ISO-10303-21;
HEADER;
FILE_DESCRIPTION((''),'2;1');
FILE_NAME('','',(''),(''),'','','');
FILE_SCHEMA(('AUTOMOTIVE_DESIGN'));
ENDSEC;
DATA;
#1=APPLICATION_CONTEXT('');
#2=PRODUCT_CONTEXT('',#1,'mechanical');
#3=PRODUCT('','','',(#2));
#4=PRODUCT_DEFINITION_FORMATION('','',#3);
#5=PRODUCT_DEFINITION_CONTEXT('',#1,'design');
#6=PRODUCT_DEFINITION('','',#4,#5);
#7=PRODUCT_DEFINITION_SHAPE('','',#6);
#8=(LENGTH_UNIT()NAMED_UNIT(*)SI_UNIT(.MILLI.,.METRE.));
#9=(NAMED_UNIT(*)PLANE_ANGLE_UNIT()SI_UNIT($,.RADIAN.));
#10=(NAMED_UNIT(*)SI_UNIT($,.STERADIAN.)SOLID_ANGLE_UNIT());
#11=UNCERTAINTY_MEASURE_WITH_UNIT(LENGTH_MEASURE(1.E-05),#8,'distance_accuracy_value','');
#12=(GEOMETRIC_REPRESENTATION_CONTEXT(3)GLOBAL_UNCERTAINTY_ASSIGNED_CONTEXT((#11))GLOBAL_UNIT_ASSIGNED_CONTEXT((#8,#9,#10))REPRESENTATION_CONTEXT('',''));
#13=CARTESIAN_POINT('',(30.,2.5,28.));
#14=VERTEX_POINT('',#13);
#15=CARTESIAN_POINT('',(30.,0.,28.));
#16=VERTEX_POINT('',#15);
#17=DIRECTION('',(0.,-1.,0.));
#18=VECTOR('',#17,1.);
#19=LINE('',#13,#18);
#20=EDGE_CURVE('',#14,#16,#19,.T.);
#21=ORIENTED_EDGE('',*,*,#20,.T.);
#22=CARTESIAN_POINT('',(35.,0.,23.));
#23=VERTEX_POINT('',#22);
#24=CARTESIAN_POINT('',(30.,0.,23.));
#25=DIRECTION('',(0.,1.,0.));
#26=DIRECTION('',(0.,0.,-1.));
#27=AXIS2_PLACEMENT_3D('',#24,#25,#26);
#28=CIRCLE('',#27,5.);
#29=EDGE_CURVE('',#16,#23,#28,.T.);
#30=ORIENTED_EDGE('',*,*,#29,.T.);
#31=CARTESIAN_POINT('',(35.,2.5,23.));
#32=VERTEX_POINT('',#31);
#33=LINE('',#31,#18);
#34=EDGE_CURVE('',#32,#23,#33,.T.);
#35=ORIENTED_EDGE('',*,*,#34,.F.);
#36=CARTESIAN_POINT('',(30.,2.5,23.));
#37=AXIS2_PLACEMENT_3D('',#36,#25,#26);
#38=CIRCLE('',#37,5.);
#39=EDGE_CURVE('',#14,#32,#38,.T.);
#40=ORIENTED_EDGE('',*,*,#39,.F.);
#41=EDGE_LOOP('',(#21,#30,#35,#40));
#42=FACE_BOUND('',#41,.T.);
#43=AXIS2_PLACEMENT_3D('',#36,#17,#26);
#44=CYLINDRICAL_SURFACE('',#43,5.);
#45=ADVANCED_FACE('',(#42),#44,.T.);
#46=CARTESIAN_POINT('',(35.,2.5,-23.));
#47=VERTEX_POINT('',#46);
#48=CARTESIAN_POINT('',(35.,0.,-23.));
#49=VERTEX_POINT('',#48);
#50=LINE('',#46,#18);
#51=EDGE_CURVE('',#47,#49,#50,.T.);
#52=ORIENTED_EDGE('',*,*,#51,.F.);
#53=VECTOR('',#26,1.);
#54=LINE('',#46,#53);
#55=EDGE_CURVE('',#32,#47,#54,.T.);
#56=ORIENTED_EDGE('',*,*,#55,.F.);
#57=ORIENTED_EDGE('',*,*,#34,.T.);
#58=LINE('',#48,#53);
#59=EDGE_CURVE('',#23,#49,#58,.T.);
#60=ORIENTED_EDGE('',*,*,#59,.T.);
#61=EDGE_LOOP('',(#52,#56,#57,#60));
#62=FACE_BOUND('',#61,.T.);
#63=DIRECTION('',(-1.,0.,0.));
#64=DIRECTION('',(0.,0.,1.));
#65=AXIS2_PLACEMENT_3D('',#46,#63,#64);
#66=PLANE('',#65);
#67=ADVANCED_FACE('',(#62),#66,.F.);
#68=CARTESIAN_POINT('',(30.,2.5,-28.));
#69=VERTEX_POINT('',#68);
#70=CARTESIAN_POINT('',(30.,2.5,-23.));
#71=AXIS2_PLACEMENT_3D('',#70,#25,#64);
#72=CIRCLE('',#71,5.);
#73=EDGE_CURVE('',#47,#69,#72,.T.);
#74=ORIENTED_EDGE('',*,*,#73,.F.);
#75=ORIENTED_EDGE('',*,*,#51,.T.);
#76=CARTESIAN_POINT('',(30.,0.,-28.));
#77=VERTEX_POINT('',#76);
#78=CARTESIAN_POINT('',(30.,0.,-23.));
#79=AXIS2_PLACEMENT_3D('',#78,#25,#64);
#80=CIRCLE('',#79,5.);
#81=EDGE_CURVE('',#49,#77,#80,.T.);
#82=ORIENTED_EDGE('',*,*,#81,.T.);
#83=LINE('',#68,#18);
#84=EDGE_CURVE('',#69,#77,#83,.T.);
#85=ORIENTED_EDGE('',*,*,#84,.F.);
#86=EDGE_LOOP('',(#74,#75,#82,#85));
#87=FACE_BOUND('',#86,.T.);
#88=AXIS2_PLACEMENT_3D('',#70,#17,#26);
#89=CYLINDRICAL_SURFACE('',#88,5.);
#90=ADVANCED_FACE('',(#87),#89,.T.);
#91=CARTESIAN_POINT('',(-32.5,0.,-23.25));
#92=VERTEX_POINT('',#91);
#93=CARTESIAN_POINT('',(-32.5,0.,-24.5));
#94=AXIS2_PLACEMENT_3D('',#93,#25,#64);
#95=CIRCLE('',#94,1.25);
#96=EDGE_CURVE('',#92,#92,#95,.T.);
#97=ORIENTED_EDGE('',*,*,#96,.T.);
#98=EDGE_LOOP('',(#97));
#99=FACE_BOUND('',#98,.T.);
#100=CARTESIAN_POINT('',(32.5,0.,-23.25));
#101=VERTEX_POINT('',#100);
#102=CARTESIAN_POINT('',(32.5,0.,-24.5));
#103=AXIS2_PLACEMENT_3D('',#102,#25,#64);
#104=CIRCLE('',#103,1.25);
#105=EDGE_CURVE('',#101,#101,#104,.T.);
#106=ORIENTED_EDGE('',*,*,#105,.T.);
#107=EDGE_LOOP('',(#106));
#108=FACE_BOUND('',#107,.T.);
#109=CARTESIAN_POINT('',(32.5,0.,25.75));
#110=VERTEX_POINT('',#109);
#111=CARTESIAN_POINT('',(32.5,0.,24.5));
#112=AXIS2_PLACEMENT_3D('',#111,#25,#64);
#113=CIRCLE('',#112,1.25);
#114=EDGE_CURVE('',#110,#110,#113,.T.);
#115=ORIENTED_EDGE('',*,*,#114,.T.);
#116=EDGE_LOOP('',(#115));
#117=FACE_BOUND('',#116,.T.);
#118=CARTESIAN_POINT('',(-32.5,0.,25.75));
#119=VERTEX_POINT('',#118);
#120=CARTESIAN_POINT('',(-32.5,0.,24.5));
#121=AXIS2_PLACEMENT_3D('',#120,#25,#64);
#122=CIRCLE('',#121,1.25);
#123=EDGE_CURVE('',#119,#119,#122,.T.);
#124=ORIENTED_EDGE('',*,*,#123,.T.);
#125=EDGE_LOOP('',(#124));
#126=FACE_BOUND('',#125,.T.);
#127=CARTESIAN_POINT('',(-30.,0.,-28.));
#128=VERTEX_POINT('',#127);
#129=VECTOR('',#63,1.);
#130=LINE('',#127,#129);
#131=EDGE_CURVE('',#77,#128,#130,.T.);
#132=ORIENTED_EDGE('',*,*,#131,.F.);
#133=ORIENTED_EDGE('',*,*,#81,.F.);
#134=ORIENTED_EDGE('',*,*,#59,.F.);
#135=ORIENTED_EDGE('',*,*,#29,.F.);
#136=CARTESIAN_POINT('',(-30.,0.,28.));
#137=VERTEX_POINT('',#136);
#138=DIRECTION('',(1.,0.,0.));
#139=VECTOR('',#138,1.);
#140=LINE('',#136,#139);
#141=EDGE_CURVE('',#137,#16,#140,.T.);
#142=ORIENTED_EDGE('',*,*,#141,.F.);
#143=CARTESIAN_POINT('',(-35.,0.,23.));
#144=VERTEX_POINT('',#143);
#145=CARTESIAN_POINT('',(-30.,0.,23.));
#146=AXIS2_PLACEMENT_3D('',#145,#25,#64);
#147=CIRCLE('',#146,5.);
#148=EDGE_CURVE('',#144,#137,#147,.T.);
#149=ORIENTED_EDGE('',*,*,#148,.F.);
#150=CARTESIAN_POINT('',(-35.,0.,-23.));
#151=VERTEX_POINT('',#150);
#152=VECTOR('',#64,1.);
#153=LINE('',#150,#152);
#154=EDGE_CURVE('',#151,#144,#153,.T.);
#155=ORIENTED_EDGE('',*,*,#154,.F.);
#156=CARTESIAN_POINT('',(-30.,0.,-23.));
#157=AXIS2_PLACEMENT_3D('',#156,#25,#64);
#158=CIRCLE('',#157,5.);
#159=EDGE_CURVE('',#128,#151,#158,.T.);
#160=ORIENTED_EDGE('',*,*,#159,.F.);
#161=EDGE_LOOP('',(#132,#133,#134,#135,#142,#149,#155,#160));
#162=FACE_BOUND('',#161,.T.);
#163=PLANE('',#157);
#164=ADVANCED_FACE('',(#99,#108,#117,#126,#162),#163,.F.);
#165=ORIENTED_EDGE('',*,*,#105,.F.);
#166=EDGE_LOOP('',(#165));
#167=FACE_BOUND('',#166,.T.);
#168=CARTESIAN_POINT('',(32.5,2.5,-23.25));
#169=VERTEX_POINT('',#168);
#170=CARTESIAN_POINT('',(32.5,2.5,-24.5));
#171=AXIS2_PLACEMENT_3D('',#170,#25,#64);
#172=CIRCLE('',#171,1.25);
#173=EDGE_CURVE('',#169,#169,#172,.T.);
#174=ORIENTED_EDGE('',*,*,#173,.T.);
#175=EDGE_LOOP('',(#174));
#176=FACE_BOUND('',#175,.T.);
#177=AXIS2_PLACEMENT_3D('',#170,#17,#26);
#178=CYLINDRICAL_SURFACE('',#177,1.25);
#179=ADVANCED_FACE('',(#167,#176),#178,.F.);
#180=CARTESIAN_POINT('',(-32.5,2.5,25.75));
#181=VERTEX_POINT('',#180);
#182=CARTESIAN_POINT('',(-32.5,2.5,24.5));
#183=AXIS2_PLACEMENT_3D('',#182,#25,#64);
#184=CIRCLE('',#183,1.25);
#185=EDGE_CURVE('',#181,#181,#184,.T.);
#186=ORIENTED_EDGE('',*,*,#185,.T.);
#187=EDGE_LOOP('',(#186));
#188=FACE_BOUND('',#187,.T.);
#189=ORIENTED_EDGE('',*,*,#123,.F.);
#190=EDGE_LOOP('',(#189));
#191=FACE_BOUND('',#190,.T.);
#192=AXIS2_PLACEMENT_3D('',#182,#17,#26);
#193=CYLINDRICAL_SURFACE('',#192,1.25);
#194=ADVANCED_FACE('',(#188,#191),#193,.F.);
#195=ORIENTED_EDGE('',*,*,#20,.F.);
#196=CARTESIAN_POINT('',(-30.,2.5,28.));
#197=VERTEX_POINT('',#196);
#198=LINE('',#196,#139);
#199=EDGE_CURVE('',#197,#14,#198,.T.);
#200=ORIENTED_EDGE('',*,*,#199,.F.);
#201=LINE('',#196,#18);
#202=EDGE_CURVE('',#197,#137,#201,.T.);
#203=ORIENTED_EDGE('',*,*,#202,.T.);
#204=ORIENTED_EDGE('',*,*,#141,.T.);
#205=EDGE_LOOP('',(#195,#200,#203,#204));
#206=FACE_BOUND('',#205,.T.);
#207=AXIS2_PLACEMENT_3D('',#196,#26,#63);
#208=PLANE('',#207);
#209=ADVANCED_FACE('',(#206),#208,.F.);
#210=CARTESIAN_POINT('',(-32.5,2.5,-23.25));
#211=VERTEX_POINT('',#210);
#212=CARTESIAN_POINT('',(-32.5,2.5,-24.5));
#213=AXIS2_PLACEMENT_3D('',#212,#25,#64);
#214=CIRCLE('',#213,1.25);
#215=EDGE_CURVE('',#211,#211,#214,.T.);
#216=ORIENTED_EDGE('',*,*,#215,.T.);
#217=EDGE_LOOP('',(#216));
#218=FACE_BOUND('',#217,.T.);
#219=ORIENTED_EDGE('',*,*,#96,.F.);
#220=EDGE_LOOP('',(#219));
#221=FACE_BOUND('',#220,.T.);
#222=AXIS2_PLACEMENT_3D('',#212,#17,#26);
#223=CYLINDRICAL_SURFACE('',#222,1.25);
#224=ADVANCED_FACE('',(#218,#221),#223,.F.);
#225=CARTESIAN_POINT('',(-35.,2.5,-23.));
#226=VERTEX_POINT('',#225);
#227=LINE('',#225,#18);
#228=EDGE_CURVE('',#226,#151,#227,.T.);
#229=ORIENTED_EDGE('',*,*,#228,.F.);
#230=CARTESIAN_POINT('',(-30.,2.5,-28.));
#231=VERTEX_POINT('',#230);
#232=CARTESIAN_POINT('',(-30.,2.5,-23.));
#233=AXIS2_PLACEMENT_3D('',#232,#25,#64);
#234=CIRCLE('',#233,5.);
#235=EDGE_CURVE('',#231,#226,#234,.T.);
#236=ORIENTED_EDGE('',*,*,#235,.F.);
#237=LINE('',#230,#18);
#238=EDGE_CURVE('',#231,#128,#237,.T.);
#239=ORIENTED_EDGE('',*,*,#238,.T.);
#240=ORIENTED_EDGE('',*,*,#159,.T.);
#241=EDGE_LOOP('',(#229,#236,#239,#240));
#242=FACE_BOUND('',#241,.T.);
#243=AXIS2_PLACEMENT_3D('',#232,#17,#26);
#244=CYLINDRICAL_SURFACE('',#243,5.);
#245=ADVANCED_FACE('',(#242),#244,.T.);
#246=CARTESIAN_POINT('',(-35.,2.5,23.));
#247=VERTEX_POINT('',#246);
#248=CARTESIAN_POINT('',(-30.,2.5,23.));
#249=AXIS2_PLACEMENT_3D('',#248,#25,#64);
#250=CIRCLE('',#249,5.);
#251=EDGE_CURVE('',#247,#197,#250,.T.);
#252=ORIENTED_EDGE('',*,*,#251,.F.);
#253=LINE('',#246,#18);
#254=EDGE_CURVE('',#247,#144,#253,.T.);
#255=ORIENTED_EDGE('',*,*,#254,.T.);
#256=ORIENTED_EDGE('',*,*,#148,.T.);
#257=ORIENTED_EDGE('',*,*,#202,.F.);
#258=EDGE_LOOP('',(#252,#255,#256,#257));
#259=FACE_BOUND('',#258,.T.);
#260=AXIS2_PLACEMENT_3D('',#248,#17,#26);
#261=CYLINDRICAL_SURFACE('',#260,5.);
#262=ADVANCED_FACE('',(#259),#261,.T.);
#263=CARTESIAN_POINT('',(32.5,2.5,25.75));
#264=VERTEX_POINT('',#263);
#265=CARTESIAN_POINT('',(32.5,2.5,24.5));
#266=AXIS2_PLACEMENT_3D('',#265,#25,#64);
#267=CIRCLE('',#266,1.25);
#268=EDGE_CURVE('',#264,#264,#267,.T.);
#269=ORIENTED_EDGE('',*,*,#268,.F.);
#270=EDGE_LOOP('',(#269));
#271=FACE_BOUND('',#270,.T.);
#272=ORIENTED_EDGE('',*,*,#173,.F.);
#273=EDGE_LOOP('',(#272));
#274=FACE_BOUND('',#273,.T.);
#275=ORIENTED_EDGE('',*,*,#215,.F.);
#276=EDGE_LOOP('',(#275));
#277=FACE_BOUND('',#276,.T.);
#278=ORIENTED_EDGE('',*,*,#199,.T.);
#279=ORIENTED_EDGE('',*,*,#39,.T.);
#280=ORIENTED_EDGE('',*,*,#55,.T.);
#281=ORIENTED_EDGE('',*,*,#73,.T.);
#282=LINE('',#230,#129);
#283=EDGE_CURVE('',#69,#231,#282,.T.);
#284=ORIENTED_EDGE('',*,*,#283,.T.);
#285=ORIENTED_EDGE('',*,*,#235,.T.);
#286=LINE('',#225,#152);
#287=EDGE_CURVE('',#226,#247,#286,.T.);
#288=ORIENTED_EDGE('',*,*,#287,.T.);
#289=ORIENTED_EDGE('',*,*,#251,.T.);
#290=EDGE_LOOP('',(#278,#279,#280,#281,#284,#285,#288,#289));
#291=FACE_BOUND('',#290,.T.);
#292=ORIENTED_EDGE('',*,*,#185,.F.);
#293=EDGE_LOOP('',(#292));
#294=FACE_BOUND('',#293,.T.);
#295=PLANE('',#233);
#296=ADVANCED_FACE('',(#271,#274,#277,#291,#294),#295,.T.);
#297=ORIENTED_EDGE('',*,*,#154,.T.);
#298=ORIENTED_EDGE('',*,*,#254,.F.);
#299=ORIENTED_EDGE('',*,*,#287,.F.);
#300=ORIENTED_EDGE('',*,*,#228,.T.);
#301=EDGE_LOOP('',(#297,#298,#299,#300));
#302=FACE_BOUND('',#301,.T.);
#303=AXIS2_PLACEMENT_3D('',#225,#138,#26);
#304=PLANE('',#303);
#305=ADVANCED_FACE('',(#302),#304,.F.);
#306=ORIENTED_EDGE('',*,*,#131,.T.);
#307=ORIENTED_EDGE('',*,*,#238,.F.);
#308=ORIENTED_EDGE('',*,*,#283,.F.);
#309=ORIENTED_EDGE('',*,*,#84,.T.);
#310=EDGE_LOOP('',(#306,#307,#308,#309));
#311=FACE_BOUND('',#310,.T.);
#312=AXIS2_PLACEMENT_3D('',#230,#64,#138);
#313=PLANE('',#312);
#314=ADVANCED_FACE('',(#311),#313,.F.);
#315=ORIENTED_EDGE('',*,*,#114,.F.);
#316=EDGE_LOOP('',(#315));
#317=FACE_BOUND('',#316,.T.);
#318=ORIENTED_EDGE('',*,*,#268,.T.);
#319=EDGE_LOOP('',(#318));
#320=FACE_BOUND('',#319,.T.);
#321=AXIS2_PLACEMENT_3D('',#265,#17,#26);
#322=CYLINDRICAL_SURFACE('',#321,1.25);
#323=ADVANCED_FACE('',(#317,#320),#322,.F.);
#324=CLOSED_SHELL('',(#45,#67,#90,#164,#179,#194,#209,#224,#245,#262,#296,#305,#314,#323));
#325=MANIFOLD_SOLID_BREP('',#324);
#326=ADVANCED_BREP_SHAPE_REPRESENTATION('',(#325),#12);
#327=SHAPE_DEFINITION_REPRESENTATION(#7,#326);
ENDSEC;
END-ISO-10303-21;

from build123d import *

# Parameters (mm, degrees)
SKETCH1_R           = 1.25
BOSS_EXTRUDE1_DEPTH = 2.5


with BuildPart() as part:
    # Sketch1 → Boss-Extrude1 (new body)
    with BuildSketch(Plane(origin=(0, 0, 0), x_dir=(1, 0, 0), z_dir=(0, 1, 0))):
        with BuildLine():
            Line((-30, 28), (30, 28))
            ThreePointArc((30, 28), (33.535533906, 26.535533906), (35, 23))
            Line((35, 23), (35, -23))
            ThreePointArc((35, -23), (33.535533906, -26.535533906), (30, -28))
            Line((30, -28), (-30, -28))
            ThreePointArc((-30, -28), (-33.535533906, -26.535533906), (-35, -23))
            Line((-35, -23), (-35, 23))
            ThreePointArc((-35, 23), (-33.535533906, 26.535533906), (-30, 28))
        make_face()
        with Locations(Location((-32.5, 24.5, 0), (0, 0, 270))):
            Circle(SKETCH1_R, mode=Mode.SUBTRACT)
        with Locations(Location((32.5, 24.5, 0), (0, 0, 270))):
            Circle(SKETCH1_R, mode=Mode.SUBTRACT)
        with Locations(Location((32.5, -24.5, 0), (0, 0, 270))):
            Circle(SKETCH1_R, mode=Mode.SUBTRACT)
        with Locations(Location((-32.5, -24.5, 0), (0, 0, 270))):
            Circle(SKETCH1_R, mode=Mode.SUBTRACT)
    extrude(amount=BOSS_EXTRUDE1_DEPTH)


solid = part.part
